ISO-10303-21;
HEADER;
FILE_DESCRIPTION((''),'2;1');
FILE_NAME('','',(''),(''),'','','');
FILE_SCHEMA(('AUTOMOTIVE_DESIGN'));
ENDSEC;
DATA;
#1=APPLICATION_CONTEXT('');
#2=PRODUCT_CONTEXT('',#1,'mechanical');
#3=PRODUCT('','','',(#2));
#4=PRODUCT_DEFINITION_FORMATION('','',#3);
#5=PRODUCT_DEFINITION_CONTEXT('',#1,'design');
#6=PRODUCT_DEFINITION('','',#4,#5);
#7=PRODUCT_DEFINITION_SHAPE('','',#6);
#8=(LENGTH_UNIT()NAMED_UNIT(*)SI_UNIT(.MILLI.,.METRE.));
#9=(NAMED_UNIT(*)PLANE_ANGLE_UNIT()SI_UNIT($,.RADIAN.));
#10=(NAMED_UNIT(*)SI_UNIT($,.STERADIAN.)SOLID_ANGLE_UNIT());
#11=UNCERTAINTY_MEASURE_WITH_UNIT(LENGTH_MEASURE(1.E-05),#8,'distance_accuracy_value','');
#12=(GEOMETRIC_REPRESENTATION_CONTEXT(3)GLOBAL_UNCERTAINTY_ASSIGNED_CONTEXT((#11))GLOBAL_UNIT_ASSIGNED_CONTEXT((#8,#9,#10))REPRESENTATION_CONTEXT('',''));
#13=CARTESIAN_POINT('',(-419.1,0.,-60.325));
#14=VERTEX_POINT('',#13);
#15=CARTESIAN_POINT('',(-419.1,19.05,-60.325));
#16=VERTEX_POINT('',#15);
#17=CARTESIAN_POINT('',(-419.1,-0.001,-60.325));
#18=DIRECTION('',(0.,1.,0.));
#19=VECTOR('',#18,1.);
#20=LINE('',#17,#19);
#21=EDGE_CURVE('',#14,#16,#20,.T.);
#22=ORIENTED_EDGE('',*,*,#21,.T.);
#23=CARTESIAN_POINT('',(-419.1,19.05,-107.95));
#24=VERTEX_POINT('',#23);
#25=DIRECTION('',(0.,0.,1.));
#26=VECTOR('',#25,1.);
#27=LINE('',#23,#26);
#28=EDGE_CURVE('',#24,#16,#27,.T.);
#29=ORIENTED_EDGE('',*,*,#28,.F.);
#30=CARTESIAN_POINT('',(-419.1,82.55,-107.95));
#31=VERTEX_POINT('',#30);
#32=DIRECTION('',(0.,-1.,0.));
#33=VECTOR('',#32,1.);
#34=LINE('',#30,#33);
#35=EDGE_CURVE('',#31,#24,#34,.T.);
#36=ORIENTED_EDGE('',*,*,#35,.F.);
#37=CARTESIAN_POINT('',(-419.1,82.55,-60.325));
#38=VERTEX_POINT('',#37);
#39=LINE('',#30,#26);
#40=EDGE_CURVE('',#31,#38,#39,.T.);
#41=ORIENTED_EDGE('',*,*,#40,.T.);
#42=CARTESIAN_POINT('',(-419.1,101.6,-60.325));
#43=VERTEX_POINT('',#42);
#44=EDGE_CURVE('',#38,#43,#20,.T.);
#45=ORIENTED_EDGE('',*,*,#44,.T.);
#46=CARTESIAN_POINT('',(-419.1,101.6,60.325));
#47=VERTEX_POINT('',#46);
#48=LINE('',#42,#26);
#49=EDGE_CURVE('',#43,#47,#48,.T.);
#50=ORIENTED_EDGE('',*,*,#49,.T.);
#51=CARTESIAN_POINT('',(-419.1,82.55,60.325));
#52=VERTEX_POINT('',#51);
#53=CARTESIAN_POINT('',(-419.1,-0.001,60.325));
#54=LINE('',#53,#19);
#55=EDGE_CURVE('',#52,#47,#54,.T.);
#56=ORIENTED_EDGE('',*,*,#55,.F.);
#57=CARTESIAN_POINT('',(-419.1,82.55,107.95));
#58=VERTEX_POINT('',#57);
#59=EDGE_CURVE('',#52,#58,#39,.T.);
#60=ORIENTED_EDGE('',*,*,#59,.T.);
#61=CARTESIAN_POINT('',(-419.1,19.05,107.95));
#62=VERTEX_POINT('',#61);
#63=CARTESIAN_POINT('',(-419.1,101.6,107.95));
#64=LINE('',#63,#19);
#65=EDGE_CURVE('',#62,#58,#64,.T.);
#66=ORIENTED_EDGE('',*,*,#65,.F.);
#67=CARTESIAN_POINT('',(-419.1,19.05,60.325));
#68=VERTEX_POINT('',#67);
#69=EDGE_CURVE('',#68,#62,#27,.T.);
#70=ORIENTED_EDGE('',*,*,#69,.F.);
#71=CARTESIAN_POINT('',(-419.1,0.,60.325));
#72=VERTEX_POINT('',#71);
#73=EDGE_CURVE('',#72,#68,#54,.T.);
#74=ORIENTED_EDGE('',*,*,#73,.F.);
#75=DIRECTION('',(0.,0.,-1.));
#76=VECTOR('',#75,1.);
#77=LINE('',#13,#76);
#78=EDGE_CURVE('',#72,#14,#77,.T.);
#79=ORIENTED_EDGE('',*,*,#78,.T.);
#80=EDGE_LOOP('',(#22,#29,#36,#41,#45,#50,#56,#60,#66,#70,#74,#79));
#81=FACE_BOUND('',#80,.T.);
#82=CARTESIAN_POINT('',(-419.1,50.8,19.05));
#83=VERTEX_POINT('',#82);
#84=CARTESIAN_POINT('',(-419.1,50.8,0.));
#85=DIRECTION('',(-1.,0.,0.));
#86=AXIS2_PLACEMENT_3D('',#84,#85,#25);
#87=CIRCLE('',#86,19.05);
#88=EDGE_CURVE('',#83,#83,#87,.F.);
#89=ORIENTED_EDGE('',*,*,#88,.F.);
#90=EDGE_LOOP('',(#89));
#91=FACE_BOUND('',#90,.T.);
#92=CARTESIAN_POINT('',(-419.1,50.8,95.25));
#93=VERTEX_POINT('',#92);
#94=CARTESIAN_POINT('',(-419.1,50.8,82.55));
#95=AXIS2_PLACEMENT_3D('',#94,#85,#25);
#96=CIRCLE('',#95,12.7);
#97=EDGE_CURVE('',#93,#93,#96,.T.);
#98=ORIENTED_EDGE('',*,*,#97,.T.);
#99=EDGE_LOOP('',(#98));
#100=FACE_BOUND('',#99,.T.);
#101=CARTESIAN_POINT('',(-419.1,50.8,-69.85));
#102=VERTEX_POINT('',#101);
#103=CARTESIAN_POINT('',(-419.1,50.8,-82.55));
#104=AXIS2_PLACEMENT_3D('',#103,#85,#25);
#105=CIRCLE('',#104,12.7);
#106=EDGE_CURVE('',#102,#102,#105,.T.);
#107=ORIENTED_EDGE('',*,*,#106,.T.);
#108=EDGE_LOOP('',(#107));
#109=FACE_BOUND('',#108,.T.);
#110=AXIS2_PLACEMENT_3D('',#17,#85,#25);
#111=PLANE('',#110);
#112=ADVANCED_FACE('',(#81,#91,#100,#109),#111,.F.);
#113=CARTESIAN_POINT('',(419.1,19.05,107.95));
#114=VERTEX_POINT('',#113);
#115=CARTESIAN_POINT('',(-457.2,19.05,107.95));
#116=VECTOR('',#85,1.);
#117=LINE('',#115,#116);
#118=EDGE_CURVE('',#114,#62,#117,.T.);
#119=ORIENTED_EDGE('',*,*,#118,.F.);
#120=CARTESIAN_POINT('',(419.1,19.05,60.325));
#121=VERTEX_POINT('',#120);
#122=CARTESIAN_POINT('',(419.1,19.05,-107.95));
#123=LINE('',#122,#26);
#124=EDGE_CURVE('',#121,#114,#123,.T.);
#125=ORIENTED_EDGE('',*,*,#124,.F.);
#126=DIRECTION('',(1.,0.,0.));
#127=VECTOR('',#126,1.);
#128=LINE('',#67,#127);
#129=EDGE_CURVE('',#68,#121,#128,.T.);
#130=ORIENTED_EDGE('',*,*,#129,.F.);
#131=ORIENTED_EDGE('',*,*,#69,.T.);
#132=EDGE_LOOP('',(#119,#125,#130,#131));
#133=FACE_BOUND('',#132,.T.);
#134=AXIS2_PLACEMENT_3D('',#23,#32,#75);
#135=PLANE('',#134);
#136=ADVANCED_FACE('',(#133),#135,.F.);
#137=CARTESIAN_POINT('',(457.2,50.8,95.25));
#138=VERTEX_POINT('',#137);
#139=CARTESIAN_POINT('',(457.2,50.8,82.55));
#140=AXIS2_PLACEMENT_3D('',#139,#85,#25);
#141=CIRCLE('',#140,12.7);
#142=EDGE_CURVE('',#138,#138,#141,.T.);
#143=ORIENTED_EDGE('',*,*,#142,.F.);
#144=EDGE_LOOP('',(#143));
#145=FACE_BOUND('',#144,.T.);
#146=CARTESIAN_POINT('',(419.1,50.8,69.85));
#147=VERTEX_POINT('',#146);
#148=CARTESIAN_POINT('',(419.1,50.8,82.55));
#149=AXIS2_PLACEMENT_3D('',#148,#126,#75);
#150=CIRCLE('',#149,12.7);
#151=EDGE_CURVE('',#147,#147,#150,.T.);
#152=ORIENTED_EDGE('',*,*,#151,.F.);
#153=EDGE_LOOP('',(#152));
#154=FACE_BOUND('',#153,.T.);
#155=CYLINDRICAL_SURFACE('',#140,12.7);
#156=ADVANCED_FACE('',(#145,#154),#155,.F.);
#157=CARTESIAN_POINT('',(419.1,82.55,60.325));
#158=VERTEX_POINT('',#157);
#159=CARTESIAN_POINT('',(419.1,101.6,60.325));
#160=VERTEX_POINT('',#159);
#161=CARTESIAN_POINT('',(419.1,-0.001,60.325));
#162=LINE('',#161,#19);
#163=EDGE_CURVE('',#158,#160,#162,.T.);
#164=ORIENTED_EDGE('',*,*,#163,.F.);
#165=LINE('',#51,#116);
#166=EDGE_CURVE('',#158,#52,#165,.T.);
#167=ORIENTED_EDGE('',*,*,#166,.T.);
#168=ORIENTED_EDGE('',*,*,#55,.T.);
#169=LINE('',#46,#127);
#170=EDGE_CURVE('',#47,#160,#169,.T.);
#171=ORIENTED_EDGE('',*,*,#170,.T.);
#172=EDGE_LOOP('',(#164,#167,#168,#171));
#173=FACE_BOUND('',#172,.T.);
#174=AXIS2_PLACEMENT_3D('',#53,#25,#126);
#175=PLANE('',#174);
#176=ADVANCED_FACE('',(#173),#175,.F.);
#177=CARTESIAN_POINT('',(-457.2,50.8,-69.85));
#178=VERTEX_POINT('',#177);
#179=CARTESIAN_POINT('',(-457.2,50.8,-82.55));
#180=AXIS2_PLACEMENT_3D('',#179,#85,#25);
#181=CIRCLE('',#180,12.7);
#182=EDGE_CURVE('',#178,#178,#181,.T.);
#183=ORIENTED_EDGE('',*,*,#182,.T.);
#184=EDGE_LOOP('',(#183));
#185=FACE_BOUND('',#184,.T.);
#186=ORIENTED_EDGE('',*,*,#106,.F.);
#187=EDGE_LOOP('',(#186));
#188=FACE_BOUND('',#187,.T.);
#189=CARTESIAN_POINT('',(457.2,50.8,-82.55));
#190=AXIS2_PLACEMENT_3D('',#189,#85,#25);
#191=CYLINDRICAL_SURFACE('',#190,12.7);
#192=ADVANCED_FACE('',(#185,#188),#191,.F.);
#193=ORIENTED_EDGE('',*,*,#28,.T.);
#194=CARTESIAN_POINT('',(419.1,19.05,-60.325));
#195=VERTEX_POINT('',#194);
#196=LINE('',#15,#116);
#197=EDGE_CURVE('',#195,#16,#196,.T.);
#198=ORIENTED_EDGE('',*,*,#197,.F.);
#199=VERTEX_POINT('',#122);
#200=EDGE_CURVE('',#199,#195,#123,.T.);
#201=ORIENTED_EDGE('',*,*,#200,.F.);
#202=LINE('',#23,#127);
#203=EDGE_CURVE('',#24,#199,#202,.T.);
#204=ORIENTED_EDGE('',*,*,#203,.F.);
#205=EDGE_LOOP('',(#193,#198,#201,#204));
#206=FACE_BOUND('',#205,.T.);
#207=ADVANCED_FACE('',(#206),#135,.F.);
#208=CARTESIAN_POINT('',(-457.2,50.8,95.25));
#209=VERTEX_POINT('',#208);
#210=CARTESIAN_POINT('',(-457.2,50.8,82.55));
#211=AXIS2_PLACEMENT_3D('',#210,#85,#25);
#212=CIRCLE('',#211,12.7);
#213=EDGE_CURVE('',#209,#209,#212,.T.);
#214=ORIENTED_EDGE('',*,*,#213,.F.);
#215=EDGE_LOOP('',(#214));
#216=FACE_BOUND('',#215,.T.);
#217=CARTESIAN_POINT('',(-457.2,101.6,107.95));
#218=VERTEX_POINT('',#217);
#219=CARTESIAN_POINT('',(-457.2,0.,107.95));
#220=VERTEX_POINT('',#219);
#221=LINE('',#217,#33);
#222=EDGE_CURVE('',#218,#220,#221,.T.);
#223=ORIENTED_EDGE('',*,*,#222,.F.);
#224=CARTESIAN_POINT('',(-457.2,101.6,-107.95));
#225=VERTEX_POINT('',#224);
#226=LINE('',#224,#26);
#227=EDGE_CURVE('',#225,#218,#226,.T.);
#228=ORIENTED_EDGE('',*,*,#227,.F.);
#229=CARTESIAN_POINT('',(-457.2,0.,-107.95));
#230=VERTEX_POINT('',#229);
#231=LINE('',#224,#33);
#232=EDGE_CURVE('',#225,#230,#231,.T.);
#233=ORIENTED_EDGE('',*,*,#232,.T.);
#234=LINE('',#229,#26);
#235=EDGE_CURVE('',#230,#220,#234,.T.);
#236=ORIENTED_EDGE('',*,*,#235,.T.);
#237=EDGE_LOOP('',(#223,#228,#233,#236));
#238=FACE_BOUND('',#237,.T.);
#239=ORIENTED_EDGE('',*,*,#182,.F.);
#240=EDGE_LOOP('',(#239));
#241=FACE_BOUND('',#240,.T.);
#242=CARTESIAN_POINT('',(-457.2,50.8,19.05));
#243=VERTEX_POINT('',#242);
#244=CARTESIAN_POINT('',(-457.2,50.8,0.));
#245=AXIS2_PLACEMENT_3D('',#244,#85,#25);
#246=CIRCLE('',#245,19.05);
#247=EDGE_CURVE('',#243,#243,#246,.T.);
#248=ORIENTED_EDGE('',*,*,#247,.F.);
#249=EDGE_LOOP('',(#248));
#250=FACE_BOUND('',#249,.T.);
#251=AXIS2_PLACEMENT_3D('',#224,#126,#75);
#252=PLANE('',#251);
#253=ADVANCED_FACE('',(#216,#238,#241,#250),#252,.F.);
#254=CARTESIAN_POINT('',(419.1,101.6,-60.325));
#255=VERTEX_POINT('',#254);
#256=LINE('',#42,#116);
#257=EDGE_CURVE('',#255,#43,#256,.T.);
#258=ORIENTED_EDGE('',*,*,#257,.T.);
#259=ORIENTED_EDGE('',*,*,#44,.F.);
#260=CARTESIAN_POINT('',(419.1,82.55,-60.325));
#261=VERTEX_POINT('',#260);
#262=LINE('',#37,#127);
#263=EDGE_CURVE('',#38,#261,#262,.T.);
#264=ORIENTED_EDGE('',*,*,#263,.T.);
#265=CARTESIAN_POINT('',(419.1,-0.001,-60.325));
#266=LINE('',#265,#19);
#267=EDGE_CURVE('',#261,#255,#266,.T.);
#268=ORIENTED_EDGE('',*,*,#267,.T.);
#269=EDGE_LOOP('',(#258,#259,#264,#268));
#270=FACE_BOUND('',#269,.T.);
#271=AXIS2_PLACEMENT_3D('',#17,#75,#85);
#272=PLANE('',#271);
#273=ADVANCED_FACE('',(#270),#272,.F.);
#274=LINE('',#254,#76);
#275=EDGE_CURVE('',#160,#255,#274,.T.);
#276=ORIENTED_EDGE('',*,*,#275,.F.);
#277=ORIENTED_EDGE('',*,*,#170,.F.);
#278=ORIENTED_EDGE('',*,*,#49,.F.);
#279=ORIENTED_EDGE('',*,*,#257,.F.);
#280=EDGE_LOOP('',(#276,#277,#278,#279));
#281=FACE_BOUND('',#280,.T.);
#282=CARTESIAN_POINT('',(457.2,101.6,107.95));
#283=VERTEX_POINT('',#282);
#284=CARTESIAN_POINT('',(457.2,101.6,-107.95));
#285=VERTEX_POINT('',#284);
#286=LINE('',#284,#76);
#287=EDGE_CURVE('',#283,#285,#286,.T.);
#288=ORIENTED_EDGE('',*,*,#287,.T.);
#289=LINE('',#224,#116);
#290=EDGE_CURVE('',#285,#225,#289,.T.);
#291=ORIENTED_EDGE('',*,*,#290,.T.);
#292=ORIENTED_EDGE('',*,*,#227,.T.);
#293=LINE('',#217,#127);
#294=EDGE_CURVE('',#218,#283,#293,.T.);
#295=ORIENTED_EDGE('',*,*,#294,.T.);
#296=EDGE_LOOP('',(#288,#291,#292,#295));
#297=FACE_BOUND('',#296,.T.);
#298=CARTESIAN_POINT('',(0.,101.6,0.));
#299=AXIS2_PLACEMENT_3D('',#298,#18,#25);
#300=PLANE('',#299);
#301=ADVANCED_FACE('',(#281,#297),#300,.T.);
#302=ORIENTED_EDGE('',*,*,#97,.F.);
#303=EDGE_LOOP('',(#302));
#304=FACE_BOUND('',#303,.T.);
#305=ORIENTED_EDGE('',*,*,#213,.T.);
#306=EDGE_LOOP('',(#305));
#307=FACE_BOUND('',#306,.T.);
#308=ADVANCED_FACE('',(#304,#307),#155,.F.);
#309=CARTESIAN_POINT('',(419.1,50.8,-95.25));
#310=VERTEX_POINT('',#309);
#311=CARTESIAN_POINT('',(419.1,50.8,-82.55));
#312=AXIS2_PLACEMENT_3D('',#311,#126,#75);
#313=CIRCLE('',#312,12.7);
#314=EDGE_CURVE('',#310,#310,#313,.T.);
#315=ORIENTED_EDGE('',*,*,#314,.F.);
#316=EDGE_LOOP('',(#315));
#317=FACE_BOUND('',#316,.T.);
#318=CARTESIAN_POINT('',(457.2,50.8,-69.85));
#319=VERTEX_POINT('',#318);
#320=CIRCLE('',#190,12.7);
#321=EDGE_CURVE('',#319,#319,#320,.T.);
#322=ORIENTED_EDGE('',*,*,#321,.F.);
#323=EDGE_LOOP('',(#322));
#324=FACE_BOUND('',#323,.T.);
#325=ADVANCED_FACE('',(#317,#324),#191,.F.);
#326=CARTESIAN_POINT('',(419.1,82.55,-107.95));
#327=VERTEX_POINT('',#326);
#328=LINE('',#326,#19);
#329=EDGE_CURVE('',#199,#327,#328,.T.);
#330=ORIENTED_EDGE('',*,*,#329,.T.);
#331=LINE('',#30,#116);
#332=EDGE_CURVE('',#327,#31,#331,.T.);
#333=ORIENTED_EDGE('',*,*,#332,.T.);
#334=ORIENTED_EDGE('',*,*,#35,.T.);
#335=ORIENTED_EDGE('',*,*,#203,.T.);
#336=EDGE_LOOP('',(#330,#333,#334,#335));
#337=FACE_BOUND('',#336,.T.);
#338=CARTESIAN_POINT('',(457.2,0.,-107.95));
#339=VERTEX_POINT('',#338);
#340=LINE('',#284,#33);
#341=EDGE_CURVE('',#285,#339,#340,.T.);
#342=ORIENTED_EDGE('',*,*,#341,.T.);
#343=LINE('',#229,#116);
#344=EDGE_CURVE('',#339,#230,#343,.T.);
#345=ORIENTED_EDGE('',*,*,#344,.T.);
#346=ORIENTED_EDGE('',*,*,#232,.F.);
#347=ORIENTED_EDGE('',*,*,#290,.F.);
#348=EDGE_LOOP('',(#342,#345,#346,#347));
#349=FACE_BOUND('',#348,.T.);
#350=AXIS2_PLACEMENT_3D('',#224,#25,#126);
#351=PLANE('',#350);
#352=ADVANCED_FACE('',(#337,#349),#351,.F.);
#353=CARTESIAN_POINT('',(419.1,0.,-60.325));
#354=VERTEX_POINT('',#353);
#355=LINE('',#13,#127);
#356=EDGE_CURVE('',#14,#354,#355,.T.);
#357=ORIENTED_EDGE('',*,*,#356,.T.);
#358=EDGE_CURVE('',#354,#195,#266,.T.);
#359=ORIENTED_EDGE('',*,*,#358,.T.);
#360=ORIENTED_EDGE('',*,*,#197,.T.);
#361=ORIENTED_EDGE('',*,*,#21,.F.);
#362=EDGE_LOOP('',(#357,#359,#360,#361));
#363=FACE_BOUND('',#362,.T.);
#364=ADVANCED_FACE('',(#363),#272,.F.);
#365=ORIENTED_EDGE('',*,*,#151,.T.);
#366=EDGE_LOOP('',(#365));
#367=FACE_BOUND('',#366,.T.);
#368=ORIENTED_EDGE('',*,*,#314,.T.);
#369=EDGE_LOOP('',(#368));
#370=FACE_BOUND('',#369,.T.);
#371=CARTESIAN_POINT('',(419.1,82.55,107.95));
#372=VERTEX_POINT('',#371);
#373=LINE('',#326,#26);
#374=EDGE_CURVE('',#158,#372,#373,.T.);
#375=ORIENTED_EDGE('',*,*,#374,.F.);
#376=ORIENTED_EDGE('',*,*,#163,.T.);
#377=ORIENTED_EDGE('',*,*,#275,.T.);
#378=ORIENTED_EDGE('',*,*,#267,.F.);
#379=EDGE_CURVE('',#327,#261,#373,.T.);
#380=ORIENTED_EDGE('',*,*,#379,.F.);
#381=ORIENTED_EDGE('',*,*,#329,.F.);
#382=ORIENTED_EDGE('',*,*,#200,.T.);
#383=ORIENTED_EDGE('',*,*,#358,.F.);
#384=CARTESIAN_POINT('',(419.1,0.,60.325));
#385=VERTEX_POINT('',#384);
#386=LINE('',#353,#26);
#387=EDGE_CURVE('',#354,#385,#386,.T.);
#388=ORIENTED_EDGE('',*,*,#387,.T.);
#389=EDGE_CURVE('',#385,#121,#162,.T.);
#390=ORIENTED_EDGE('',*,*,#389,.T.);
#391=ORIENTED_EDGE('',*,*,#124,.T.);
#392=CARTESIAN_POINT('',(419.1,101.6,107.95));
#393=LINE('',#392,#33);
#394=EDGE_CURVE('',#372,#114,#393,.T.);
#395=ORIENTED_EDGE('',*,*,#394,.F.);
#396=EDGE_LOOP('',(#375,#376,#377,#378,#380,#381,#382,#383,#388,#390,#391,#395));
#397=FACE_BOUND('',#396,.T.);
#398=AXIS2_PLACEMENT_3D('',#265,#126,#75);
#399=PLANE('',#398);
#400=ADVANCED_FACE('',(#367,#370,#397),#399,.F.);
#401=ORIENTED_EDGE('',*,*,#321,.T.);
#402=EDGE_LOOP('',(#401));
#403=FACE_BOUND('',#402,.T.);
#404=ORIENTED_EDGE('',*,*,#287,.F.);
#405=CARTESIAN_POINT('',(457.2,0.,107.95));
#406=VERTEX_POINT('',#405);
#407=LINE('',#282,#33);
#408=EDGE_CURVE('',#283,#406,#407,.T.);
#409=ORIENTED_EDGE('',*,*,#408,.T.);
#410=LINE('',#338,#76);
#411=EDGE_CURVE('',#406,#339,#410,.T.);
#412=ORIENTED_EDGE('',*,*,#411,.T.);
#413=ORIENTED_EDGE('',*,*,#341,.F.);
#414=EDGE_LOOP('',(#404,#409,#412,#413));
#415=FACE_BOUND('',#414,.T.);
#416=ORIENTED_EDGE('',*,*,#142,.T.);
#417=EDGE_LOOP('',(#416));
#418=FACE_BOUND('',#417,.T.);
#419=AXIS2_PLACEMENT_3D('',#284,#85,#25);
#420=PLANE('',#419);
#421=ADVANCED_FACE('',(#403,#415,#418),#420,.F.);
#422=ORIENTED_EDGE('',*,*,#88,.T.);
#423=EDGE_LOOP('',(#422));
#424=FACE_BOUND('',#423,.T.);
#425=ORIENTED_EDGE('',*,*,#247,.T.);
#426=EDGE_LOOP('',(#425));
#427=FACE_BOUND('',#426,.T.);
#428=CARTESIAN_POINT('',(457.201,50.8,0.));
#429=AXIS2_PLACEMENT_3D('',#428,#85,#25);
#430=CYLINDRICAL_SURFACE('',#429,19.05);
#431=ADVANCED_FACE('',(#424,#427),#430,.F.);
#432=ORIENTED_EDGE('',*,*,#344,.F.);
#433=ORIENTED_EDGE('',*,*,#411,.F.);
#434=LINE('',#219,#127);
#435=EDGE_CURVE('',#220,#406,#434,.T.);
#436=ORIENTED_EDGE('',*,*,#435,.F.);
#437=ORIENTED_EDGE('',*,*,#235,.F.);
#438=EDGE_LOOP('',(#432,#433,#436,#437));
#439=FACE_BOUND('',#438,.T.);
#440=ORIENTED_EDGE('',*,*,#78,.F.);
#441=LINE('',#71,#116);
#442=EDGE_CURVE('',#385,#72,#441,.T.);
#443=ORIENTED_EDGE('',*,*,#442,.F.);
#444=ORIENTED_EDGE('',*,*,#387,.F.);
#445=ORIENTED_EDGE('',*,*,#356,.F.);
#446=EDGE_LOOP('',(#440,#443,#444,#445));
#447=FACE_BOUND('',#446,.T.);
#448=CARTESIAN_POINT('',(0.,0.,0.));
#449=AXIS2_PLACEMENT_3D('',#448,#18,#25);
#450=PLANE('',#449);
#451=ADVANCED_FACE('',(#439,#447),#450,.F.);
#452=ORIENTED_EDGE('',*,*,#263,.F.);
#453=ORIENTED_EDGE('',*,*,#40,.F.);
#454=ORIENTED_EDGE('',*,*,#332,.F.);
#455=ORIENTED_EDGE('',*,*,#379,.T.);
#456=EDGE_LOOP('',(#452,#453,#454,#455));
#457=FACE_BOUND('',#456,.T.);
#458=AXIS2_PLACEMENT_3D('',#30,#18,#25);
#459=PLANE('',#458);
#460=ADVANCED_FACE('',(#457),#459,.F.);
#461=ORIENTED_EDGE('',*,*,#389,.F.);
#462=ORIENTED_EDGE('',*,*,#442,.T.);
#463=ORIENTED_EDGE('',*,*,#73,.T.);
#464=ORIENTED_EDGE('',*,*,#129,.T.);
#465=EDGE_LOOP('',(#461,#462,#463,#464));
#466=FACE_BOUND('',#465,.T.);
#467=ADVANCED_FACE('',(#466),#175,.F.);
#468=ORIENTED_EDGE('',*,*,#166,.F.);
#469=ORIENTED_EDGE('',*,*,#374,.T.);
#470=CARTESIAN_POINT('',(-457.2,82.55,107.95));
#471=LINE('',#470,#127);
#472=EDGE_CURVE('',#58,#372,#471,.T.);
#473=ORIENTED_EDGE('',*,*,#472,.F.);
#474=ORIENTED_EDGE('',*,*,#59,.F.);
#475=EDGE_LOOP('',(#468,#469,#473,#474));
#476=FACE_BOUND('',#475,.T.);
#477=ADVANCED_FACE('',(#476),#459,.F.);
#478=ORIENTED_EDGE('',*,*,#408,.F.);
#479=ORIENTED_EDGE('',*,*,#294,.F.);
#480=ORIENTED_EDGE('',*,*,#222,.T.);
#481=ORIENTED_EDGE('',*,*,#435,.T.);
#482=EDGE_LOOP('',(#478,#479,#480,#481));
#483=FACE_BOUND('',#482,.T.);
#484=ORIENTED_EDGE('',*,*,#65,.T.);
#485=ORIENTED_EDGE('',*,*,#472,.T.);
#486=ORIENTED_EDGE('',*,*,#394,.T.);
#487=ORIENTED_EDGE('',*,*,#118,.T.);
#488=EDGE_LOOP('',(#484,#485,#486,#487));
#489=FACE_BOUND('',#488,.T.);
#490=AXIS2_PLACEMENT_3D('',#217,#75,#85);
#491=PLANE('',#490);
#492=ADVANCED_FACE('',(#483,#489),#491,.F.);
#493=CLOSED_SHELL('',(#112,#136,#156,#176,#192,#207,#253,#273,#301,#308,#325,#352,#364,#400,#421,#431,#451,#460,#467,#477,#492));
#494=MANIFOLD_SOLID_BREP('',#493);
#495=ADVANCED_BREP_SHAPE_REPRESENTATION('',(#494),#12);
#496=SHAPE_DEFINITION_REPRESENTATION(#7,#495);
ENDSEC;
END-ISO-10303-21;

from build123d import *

# Parameters (mm, degrees)
SKETCH1_W               = 914.4
SKETCH1_H               = 215.9
BOSS_EXTRUDE1_DEPTH     = 101.6
CUT_EXTRUDE1_REACH      = 482.633
SKETCH2_W               = 838.2
SKETCH2_H               = 120.65
CUT_EXTRUDE2_DEPTH      = 516.720088808
CUT_EXTRUDE2_DEPTH_BACK = 516.720088808
SKETCH3_W               = 838.2
SKETCH3_H               = 63.5
CUT_EXTRUDE3_DEPTH      = 927.33855717
CUT_EXTRUDE3_DEPTH_BACK = 927.33855717
SKETCH4_R               = 12.7
CUT_EXTRUDE4_REACH      = 928.339
SKETCH5_R               = 19.05


with BuildPart() as part:
    # Sketch1 → Boss-Extrude1 (new body)
    with BuildSketch(Plane(origin=(0, 0, 0), x_dir=(1, 0, 0), z_dir=(0, 1, 0))):
        Rectangle(SKETCH1_W, SKETCH1_H)
    extrude(amount=BOSS_EXTRUDE1_DEPTH)

    # Sketch2 → Cut-Extrude1 (cut, up to next)
    with BuildSketch(Plane(origin=(0, 101.6, 0), x_dir=(1, 0, 0), z_dir=(0, 1, 0)), mode=Mode.PRIVATE) as cut_extrude1_sk1:
        Rectangle(SKETCH2_W, SKETCH2_H)
    cut_extrude1_tool1 = extrude(cut_extrude1_sk1.sketch, amount=-CUT_EXTRUDE1_REACH, mode=Mode.PRIVATE) & part.part
    add(cut_extrude1_tool1.solids().sort_by_distance((0, 101.6, 0))[0], mode=Mode.SUBTRACT)

    # Sketch3 → Cut-Extrude2 (cut, two sides: drawn at the far end of the back side and taken through both)
    with BuildSketch(Plane.XY.offset(107.95).offset(-CUT_EXTRUDE2_DEPTH_BACK)):
        with Locations((0, 50.8)):
            Rectangle(SKETCH3_W, SKETCH3_H)
    extrude(amount=CUT_EXTRUDE2_DEPTH + CUT_EXTRUDE2_DEPTH_BACK, mode=Mode.SUBTRACT)

    # Sketch4 → Cut-Extrude3 (cut, two sides: drawn at the far end of the back side and taken through both)
    with BuildSketch(Plane.ZY.offset(457.2).offset(-CUT_EXTRUDE3_DEPTH_BACK)):
        with Locations((82.55, 50.8)):
            Circle(SKETCH4_R)
        with Locations((-82.55, 50.8)):
            Circle(SKETCH4_R)
    extrude(amount=CUT_EXTRUDE3_DEPTH + CUT_EXTRUDE3_DEPTH_BACK, mode=Mode.SUBTRACT)

    # Sketch5 → Cut-Extrude4 (cut, up to next)
    with BuildSketch(Plane.ZY.offset(457.2), mode=Mode.PRIVATE) as cut_extrude4_sk1:
        with Locations((0, 50.8)):
            Circle(SKETCH5_R)
    cut_extrude4_tool1 = extrude(cut_extrude4_sk1.sketch, amount=-CUT_EXTRUDE4_REACH, mode=Mode.PRIVATE) & part.part
    add(cut_extrude4_tool1.solids().sort_by_distance((-457.2, 50.8, 0))[0], mode=Mode.SUBTRACT)


solid = part.part
